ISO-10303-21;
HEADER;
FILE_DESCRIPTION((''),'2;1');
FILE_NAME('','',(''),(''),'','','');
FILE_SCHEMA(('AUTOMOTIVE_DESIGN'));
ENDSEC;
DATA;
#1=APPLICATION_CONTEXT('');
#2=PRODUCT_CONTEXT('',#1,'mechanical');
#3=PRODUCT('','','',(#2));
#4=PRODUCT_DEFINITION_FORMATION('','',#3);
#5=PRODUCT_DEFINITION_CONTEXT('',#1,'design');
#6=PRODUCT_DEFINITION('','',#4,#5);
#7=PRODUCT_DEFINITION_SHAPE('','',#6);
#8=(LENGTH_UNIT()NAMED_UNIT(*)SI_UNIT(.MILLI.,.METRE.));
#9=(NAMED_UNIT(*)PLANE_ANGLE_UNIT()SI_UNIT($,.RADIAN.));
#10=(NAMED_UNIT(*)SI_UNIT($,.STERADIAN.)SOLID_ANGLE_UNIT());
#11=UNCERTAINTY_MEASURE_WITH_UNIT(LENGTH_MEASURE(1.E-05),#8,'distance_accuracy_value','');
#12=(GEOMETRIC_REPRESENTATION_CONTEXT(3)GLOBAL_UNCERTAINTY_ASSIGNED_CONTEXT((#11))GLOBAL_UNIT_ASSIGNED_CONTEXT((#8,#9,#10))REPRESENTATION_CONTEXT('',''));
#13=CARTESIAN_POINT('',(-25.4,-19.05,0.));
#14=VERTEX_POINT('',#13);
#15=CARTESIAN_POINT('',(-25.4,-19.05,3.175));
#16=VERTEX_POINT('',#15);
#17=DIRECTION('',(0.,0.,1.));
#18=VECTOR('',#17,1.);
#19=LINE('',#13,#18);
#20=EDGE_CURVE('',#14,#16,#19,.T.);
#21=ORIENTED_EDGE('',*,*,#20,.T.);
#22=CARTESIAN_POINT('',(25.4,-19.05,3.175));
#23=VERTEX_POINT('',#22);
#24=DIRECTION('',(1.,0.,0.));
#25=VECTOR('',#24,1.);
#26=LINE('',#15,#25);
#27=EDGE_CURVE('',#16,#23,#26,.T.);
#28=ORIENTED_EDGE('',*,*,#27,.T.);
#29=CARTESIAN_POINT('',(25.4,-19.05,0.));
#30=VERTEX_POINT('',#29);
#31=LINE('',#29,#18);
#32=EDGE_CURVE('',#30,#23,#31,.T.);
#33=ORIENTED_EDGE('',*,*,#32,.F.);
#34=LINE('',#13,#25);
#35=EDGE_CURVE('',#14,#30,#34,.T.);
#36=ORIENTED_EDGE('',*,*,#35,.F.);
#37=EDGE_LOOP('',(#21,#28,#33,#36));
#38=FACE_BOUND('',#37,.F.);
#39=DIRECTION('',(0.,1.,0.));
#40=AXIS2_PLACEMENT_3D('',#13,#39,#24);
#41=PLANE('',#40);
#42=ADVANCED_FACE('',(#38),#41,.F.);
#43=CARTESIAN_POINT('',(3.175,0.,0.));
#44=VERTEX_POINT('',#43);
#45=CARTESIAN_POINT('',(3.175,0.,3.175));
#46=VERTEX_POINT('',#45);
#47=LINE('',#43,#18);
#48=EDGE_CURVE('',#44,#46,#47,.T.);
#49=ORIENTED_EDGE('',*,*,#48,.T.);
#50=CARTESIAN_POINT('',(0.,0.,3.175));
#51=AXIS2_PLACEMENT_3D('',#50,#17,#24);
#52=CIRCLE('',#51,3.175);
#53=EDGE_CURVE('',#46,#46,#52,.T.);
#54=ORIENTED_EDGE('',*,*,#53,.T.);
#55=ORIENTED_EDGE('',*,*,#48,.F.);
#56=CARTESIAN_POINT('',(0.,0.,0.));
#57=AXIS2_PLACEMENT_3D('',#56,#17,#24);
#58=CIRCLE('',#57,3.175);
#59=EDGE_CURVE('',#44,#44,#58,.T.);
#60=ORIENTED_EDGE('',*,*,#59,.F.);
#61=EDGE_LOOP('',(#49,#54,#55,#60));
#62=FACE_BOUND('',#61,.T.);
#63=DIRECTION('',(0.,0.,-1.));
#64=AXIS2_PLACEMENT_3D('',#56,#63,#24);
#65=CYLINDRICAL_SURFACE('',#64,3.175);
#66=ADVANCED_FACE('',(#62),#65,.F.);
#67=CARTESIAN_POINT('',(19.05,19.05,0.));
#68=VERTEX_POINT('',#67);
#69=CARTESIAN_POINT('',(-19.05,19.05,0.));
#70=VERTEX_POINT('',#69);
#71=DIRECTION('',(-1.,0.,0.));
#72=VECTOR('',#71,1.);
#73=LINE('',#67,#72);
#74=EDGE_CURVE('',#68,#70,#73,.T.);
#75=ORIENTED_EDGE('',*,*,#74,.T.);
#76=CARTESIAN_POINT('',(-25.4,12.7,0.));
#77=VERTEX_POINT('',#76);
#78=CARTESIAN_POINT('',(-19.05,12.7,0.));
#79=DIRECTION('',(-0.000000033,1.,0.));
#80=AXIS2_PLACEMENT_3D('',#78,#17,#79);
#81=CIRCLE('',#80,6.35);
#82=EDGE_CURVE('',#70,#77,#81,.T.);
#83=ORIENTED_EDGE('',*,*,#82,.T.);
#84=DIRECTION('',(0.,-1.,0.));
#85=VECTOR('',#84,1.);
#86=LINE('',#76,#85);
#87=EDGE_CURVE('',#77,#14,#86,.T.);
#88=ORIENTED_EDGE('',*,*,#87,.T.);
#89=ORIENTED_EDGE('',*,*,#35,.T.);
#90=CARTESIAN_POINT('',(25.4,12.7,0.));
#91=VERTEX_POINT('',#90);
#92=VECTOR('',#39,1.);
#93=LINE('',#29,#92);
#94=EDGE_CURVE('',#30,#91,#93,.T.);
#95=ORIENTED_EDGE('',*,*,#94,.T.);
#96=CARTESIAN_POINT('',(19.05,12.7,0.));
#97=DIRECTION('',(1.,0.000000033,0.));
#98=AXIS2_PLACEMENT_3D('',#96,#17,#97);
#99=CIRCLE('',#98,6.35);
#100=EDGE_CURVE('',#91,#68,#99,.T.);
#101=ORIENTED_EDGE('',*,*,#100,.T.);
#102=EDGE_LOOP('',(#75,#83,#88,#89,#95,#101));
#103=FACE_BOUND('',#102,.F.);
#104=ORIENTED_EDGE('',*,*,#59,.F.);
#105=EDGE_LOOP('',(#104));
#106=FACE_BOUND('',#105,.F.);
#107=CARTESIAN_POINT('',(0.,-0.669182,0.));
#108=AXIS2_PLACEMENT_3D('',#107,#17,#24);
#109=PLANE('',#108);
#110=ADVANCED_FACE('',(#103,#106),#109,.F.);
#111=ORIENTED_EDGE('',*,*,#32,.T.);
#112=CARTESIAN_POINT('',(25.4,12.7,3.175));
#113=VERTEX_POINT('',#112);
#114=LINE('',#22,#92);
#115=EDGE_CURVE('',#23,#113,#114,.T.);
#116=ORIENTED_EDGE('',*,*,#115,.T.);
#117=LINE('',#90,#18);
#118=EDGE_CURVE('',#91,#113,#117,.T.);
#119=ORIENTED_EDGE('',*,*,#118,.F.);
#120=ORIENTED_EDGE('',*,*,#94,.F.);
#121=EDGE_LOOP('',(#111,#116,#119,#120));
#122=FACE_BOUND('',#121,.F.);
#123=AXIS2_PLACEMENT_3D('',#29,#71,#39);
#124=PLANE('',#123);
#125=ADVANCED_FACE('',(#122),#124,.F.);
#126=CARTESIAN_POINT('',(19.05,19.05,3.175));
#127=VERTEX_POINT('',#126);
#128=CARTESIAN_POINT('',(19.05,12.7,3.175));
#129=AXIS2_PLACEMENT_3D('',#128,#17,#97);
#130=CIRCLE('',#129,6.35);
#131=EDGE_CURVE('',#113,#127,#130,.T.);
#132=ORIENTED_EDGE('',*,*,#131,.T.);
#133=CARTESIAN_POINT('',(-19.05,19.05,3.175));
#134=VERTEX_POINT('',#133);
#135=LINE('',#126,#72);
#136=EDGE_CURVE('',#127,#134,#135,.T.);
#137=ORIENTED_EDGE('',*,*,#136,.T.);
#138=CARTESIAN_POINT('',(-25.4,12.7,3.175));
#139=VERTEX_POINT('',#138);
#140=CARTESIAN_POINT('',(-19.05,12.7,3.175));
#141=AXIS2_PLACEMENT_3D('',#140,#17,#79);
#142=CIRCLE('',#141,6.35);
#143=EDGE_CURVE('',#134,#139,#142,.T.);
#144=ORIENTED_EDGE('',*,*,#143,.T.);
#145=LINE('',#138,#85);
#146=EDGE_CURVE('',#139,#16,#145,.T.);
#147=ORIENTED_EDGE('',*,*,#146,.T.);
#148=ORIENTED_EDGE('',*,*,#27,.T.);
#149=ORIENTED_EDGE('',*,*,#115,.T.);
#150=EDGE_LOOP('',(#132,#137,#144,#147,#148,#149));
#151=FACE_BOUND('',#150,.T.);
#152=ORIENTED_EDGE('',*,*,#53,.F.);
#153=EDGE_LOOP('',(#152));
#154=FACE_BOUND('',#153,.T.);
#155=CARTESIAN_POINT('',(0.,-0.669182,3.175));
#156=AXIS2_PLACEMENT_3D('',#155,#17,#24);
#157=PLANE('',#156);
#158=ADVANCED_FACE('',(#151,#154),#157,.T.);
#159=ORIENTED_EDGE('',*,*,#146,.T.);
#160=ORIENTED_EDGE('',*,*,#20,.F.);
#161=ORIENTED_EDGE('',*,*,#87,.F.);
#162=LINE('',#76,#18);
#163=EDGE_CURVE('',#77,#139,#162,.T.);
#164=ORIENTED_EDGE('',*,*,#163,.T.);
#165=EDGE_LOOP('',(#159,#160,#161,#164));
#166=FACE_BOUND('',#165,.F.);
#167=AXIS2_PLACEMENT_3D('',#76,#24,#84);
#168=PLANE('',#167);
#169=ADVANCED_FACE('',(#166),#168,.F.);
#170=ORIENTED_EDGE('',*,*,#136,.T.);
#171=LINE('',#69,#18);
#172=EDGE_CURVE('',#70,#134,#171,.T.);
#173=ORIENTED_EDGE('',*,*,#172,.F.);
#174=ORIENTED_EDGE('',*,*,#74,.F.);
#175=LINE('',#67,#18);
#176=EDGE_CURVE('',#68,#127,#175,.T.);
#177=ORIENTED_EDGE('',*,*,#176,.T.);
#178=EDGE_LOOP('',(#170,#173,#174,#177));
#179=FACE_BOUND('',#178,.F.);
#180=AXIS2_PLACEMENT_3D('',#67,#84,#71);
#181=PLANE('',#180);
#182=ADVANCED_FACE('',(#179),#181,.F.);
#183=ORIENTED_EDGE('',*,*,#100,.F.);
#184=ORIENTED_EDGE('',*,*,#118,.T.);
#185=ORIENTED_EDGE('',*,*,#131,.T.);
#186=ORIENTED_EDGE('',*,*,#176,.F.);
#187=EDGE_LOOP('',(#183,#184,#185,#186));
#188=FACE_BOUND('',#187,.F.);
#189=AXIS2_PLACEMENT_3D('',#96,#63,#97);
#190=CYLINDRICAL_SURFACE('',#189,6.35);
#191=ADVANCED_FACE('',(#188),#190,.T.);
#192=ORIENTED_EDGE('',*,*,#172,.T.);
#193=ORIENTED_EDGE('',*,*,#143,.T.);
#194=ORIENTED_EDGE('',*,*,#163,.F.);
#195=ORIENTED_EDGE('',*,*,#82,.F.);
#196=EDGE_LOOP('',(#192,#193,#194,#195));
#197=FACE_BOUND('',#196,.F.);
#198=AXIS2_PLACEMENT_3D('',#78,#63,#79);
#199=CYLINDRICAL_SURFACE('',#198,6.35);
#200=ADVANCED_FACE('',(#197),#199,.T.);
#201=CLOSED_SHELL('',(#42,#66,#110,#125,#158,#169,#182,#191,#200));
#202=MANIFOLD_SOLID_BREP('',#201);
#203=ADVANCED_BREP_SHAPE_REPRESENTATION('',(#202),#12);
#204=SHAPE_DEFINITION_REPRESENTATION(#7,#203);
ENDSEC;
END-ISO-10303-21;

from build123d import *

# Parameters (mm, degrees)
F0_R     = 3.175
F1_DEPTH = 3.175


with BuildPart() as f1:
    # F0 (on Top) → F1 (new body)
    with BuildSketch(Plane.XY):
        with BuildLine():
            ThreePointArc((25.4, 12.7), (23.540128, 17.190128), (19.05, 19.05))
            Line((19.05, 19.05), (-19.05, 19.05))
            ThreePointArc((-19.05, 19.05), (-23.540128, 17.190128), (-25.4, 12.7))
            Line((-25.4, 12.7), (-25.4, -19.05))
            Line((-25.4, -19.05), (25.4, -19.05))
            Line((25.4, -19.05), (25.4, 12.7))
        make_face()
        Circle(F0_R, mode=Mode.SUBTRACT)
    extrude(amount=F1_DEPTH)


solid = f1.part
